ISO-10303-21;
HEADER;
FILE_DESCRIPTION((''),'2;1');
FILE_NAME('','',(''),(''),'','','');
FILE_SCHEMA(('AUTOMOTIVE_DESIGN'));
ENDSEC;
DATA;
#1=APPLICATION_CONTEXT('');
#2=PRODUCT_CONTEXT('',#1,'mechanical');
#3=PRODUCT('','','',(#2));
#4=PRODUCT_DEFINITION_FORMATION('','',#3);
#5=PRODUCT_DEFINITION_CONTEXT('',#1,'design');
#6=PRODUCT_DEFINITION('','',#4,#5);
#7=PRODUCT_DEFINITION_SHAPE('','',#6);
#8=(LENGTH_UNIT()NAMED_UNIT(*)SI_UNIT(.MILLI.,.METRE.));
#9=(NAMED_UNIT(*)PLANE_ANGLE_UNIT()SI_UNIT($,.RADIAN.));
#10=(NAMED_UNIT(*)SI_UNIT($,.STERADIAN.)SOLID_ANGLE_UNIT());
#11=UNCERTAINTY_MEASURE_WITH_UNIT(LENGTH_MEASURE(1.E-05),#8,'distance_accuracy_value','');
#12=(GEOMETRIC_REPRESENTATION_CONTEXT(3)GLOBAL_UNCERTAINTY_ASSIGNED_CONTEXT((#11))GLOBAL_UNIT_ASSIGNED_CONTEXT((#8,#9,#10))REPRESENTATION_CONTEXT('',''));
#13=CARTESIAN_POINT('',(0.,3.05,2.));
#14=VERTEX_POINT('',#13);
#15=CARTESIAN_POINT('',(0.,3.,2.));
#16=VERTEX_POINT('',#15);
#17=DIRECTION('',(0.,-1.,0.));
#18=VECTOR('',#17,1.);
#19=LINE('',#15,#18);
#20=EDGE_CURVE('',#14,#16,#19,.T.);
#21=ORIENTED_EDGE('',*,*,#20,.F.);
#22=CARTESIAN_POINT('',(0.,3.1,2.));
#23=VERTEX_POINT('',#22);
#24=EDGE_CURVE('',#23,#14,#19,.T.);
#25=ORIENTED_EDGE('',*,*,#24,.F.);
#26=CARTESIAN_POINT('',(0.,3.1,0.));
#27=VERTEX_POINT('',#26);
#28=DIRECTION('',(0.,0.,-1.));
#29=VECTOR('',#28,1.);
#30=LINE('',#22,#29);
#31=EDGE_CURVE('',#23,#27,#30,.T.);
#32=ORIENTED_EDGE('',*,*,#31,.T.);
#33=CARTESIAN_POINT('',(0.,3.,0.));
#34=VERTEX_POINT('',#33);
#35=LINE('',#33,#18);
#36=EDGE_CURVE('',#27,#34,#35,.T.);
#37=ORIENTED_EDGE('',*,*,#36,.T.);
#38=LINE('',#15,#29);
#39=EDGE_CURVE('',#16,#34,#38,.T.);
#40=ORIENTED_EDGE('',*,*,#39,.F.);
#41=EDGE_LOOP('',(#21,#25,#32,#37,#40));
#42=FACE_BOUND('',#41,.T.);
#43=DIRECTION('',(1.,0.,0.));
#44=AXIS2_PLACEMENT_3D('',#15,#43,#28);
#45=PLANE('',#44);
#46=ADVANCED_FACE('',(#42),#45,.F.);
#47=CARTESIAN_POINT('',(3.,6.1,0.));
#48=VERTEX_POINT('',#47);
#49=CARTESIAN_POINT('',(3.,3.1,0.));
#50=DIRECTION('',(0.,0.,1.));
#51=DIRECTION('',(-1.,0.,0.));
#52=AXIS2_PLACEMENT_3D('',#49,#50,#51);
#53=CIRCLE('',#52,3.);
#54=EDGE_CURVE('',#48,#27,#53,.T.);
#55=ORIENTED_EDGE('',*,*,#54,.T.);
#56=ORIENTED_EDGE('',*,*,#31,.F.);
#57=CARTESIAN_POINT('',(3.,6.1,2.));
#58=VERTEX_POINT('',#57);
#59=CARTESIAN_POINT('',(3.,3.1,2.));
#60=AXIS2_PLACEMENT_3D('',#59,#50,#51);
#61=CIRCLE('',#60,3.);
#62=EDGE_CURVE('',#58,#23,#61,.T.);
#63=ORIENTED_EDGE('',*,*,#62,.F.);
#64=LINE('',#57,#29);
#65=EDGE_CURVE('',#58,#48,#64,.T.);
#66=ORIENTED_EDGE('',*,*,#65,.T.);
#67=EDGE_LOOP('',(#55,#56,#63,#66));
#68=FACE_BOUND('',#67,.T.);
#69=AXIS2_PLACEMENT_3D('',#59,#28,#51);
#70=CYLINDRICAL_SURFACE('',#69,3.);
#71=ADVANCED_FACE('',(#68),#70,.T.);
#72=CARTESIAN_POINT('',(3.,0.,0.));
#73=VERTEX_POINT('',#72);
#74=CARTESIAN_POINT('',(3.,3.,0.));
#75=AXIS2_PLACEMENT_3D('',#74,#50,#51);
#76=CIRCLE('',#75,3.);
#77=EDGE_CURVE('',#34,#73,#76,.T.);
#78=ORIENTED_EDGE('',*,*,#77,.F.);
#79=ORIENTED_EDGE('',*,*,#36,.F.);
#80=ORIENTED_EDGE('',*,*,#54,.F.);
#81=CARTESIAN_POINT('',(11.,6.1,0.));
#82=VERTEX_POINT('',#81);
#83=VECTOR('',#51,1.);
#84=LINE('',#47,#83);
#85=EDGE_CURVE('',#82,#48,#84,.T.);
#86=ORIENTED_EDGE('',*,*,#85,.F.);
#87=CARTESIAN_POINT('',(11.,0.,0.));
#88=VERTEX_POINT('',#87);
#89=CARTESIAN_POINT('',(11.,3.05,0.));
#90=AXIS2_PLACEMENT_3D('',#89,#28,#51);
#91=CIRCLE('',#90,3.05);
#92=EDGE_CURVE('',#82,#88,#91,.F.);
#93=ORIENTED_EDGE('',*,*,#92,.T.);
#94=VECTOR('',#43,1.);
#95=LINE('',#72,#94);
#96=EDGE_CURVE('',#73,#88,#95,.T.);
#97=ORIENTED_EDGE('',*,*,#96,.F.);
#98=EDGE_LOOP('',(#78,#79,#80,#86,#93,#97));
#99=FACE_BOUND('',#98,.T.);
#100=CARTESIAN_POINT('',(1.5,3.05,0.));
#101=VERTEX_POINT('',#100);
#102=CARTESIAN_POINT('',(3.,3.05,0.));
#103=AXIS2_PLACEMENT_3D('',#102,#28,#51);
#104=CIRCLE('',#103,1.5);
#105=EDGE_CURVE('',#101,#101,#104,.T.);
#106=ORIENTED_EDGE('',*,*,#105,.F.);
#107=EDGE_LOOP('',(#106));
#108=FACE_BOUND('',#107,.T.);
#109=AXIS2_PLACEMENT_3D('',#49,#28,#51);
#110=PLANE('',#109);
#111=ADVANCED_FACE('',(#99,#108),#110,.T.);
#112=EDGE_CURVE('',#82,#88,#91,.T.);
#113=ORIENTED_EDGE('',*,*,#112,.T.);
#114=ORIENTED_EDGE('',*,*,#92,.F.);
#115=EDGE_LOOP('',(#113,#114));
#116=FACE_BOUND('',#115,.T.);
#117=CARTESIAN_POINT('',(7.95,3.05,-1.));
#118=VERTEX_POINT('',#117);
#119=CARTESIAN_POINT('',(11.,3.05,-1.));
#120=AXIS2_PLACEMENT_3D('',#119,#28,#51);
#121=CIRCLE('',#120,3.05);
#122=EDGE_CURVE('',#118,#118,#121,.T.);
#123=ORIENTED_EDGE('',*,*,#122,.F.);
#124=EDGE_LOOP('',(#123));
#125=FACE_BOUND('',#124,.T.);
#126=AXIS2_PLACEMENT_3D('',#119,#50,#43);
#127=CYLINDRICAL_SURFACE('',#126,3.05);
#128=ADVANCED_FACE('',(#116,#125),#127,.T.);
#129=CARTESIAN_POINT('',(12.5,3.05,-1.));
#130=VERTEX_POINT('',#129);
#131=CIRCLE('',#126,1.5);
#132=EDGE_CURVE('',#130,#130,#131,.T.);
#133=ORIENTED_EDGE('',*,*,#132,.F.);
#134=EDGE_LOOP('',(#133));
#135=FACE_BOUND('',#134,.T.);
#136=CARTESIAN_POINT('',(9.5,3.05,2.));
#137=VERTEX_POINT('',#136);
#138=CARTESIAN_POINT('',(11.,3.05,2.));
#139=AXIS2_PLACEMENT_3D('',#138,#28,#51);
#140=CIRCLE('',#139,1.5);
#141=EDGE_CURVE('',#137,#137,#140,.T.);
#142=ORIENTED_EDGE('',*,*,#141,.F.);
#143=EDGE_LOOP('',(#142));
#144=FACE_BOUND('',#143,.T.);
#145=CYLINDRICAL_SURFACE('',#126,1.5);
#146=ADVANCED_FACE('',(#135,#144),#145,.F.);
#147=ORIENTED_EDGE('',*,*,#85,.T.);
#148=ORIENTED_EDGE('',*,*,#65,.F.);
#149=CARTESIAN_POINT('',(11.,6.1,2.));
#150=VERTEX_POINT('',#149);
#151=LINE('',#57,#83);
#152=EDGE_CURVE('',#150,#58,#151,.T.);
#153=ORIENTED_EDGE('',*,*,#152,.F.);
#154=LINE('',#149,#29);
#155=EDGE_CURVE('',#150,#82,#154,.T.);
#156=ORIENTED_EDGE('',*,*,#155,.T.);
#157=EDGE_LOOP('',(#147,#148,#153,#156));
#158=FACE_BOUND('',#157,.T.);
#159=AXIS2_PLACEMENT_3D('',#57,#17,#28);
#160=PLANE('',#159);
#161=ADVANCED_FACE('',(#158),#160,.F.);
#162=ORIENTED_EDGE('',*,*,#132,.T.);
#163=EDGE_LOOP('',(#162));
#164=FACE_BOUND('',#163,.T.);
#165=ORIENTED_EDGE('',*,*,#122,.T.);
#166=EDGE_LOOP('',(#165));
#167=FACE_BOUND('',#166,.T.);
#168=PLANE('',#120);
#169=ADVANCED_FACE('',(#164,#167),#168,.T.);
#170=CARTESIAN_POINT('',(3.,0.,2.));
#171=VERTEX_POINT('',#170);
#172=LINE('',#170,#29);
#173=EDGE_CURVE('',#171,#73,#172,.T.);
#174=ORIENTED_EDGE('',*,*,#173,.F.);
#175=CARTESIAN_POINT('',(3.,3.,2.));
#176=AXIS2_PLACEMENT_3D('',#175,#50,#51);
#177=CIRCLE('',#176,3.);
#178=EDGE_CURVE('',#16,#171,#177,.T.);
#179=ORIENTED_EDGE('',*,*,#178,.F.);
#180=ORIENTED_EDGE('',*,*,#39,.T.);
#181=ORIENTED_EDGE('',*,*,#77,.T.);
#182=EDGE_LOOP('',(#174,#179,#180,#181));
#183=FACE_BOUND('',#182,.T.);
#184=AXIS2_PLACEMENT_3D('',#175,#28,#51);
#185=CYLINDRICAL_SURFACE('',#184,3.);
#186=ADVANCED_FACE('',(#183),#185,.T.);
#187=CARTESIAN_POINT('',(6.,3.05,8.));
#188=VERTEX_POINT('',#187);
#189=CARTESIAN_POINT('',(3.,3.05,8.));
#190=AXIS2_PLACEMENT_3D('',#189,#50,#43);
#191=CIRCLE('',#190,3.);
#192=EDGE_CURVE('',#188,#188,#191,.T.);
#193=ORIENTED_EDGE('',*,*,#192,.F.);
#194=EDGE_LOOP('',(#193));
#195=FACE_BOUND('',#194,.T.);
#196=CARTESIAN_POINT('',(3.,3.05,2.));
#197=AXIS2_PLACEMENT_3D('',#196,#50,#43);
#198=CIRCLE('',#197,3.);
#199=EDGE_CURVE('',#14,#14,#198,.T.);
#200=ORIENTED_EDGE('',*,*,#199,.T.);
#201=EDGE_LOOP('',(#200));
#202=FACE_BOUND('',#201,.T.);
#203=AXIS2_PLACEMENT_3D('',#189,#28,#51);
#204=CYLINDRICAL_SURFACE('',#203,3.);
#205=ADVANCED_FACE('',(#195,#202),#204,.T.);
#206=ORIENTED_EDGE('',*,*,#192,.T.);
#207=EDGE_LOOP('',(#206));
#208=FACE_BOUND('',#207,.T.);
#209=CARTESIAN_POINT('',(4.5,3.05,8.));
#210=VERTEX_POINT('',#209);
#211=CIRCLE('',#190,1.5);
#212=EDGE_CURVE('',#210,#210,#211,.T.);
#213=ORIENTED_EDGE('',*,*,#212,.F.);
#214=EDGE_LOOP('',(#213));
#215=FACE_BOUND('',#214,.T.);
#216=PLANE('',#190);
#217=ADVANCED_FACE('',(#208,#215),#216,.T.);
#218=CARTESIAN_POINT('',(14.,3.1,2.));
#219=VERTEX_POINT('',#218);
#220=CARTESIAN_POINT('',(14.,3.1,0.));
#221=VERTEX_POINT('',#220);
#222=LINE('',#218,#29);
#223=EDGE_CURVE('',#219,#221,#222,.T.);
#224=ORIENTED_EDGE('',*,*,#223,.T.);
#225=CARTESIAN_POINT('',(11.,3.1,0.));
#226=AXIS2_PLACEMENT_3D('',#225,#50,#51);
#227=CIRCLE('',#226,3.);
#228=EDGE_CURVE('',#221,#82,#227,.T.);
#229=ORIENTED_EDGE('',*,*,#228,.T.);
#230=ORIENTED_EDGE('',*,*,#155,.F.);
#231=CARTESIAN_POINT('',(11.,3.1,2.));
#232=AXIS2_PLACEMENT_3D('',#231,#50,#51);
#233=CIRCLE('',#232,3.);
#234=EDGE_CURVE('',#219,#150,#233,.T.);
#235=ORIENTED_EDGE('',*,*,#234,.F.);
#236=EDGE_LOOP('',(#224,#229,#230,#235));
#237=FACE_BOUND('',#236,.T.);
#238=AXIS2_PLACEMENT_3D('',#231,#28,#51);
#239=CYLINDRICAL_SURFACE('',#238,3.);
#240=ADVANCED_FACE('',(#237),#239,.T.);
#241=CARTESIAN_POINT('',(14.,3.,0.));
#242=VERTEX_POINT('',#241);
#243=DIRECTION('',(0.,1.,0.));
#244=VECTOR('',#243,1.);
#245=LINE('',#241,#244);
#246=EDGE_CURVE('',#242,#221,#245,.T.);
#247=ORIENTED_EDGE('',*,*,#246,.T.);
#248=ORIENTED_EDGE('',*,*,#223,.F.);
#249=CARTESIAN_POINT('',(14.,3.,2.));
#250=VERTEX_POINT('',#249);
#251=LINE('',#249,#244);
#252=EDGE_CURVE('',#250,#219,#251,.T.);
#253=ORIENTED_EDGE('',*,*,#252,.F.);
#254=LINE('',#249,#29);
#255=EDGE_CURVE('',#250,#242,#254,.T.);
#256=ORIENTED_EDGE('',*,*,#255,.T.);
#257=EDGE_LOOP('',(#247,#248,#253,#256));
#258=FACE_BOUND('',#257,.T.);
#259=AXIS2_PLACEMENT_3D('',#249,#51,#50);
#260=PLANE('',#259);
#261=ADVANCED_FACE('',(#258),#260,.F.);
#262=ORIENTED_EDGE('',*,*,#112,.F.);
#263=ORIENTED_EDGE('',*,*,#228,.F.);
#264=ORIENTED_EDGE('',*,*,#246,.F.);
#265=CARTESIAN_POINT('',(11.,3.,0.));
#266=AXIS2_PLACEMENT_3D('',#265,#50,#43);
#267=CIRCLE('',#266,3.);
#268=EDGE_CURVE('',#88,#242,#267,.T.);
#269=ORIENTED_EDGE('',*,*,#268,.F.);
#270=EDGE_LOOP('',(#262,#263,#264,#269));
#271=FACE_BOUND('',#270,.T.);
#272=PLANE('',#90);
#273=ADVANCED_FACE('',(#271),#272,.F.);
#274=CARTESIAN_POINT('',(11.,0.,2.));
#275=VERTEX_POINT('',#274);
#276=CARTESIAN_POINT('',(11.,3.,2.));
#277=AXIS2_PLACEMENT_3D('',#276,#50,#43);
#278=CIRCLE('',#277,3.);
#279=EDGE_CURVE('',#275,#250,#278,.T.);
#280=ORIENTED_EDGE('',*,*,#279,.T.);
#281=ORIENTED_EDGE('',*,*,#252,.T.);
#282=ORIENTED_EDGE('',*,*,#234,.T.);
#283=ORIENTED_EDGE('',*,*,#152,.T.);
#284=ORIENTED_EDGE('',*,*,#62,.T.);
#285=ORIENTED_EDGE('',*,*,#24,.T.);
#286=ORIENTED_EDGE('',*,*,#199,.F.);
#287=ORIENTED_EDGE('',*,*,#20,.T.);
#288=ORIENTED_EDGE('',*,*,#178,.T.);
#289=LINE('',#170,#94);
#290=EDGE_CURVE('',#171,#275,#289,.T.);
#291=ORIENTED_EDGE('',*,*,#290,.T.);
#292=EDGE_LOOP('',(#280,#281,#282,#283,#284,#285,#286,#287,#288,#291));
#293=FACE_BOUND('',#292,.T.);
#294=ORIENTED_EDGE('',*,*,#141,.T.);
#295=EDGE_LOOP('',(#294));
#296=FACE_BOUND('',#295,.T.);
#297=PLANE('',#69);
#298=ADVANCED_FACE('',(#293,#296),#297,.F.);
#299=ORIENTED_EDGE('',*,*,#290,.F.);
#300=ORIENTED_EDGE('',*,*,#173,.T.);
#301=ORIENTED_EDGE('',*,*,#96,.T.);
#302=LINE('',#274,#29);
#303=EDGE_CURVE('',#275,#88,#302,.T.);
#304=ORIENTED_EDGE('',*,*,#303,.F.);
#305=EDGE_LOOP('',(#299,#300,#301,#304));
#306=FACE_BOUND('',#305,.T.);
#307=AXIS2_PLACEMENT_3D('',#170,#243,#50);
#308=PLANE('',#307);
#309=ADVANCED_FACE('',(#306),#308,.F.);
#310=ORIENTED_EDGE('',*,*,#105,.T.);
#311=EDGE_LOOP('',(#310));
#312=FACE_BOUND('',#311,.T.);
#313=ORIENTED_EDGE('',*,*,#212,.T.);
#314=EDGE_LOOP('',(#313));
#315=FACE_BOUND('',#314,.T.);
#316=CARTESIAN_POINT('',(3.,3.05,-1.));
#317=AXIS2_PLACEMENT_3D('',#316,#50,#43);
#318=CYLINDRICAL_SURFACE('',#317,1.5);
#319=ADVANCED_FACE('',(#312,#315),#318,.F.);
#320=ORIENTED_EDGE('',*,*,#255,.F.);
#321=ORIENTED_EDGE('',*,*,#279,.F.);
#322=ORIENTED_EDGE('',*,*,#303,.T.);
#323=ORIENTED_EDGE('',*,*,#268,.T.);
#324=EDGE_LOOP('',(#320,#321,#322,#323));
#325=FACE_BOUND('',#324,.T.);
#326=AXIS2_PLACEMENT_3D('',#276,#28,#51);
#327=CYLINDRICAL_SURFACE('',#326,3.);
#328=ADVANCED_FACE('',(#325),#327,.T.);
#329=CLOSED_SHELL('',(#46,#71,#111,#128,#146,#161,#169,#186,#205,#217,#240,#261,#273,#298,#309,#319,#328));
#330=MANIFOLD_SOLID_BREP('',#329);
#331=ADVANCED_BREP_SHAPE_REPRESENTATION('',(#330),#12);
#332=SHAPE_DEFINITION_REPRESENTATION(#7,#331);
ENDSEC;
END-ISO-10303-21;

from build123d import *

# Parameters (mm, degrees)
EXTRUSION1_DEPTH             = 2
ESQUISSE2_R                  = 3
EXTRUSION2_DEPTH             = 6
ESQUISSE3_R                  = 3.05
EXTRUSION3_DEPTH             = 1
ENL_V_MAT_EXTRU_1_DEPTH      = 17.450303949
ENL_V_MAT_EXTRU_1_DEPTH_BACK = 17.450303949
ESQUISSE4_R                  = 1.5


with BuildPart() as part:
    # Esquisse1 → Extrusion1 (new body)
    with BuildSketch(Plane.XY):
        with BuildLine():
            Line((3, 0), (11, 0))
            ThreePointArc((11, 0), (13.121320344, 0.878679656), (14, 3))
            Line((14, 3), (14, 3.1))
            ThreePointArc((14, 3.1), (13.121320344, 5.221320344), (11, 6.1))
            Line((11, 6.1), (3, 6.1))
            ThreePointArc((3, 6.1), (0.878679656, 5.221320344), (0, 3.1))
            Line((0, 3.1), (0, 3))
            ThreePointArc((0, 3), (0.878679656, 0.878679656), (3, 0))
        make_face()
    extrude(amount=EXTRUSION1_DEPTH)

    # Esquisse2 → Extrusion2 (add)
    with BuildSketch(Plane.XY.offset(2)):
        with Locations(Location((3, 3.05, 0), (0, 0, 180))):
            Circle(ESQUISSE2_R)
    extrude(amount=EXTRUSION2_DEPTH)

    # Esquisse3 → Extrusion3 (add)
    with BuildSketch(Plane(origin=(0, 0, 0), x_dir=(-1, 0, 0), z_dir=(0, 0, -1))):
        with Locations(Location((-11, 3.05, 0), (0, 0, 270))):
            Circle(ESQUISSE3_R)
    extrude(amount=EXTRUSION3_DEPTH)

    # Esquisse4 → Enlèv. mat.-Extru.1 (cut, two sides: drawn at the far end of the back side and taken through both)
    with BuildSketch(Plane.XY.offset(2).offset(-ENL_V_MAT_EXTRU_1_DEPTH_BACK)):
        with Locations((3, 3.05)):
            Circle(ESQUISSE4_R)
        with Locations((11, 3.05)):
            Circle(ESQUISSE4_R)
    extrude(amount=ENL_V_MAT_EXTRU_1_DEPTH + ENL_V_MAT_EXTRU_1_DEPTH_BACK, mode=Mode.SUBTRACT)


solid = part.part
